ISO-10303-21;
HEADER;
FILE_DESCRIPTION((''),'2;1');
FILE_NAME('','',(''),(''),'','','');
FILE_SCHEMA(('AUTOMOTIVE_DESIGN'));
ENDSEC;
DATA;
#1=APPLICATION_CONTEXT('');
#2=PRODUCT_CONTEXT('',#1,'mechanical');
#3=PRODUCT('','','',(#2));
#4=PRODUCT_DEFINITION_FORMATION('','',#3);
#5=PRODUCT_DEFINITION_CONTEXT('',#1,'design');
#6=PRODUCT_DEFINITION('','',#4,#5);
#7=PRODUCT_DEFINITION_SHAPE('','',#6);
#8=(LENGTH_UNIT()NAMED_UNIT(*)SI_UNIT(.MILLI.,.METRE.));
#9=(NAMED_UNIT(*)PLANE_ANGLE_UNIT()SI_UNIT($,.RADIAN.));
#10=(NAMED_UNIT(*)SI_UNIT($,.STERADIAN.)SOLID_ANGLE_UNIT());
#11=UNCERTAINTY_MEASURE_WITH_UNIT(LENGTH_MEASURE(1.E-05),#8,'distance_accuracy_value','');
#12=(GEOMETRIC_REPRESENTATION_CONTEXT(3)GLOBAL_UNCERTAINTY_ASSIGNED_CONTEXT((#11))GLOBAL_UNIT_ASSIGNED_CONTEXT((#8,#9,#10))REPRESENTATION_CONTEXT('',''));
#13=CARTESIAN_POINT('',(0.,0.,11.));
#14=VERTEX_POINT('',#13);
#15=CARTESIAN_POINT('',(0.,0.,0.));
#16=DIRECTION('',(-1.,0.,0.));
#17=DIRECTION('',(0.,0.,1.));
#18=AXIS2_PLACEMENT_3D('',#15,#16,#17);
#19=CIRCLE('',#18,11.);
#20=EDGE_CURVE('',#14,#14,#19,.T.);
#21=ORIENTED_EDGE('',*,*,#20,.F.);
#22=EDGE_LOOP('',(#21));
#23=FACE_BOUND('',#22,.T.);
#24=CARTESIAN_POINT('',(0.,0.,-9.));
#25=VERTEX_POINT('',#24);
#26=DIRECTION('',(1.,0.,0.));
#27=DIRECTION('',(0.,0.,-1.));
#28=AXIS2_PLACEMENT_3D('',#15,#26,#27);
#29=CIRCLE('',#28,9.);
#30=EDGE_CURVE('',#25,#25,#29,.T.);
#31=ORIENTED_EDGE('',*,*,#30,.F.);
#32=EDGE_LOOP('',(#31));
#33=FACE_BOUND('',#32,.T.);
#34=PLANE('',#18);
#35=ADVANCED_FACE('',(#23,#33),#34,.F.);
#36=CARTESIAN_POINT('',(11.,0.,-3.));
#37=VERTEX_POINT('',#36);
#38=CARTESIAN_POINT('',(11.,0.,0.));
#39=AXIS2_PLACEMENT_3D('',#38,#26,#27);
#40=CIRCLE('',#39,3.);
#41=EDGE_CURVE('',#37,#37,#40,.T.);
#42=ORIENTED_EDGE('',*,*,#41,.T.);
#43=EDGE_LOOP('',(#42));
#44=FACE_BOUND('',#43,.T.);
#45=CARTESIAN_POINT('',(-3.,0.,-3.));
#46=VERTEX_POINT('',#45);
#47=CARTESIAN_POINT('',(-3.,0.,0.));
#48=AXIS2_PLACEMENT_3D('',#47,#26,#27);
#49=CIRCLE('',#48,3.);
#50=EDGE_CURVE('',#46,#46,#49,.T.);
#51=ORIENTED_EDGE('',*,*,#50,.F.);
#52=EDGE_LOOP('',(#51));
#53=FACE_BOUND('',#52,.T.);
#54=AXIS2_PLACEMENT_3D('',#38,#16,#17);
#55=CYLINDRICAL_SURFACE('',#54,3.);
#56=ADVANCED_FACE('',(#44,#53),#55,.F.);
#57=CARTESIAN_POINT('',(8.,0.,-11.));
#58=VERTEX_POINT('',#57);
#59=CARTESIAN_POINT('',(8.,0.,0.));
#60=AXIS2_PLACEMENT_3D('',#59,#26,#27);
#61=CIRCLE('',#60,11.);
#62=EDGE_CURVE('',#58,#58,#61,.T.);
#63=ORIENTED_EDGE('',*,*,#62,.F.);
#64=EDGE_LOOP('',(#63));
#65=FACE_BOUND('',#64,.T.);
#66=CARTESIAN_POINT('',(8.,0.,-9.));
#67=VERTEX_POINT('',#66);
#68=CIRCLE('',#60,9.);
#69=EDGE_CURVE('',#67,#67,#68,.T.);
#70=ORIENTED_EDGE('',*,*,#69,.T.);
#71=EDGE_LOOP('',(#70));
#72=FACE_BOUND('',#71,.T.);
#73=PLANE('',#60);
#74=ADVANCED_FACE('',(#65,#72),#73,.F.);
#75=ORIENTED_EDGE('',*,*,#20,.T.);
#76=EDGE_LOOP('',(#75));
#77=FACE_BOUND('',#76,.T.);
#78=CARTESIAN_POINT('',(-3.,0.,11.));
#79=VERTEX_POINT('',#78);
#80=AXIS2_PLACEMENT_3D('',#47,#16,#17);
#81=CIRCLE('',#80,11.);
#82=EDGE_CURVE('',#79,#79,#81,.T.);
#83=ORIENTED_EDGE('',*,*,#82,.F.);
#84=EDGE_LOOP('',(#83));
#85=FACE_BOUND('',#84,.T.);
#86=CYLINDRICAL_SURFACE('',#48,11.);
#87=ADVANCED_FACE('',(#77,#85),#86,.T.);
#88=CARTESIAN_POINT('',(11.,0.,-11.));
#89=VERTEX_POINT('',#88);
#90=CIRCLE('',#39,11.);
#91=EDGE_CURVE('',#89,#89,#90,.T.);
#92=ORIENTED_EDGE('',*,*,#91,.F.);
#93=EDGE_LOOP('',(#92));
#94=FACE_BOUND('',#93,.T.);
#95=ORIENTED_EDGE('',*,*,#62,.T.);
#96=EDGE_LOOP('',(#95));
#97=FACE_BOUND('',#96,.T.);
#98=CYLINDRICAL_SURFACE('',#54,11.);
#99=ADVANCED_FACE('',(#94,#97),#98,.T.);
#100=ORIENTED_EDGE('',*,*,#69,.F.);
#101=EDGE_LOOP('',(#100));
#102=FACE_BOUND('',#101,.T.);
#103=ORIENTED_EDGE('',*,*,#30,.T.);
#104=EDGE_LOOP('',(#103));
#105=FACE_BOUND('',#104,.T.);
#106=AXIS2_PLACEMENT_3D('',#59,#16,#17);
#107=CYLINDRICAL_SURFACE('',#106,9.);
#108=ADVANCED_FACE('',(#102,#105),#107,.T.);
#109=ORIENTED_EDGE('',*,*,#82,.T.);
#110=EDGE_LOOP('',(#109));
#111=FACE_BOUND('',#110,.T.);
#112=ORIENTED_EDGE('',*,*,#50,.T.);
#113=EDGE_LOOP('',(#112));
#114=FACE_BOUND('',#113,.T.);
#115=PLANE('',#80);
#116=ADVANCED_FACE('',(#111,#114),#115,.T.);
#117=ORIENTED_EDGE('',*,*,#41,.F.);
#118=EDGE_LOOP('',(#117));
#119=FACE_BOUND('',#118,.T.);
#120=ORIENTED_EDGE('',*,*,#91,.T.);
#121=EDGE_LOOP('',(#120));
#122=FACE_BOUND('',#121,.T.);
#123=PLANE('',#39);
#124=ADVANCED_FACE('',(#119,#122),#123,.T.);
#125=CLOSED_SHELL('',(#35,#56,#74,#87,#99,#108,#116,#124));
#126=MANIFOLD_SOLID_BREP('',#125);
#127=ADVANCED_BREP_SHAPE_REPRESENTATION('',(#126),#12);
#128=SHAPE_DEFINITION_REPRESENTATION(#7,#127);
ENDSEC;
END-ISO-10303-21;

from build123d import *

# Parameters (mm, degrees)
SKETCH1_R               = 9
BOSS_EXTRUDE1_DEPTH     = 8
SKETCH3_R               = 11
BOSS_EXTRUDE2_DEPTH     = 3
SKETCH4_R               = 11
BOSS_EXTRUDE3_DEPTH     = 3
SKETCH2_R               = 3
CUT_EXTRUDE1_DEPTH      = 3
CUT_EXTRUDE1_DEPTH_BACK = 11


with BuildPart() as part:
    # Sketch1 → Boss-Extrude1 (new body)
    with BuildSketch(Plane(origin=(0, 0, 0), x_dir=(0, 0, -1), z_dir=(1, 0, 0))):
        Circle(SKETCH1_R)
    extrude(amount=BOSS_EXTRUDE1_DEPTH)

    # Sketch3 → Boss-Extrude2 (add)
    with BuildSketch(Plane(origin=(8, 0, 0), x_dir=(0, 0, -1), z_dir=(1, 0, 0))):
        Circle(SKETCH3_R)
    extrude(amount=BOSS_EXTRUDE2_DEPTH)

    # Sketch4 → Boss-Extrude3 (add)
    with BuildSketch(Plane.ZY):
        Circle(SKETCH4_R)
    extrude(amount=BOSS_EXTRUDE3_DEPTH)

    # Sketch2 → Cut-Extrude1 (cut, two sides)
    with BuildSketch(Plane(origin=(8, 0, 0), x_dir=(0, 0, -1), z_dir=(1, 0, 0))) as cut_extrude1_sk:
        Circle(SKETCH2_R)
    extrude(amount=CUT_EXTRUDE1_DEPTH, mode=Mode.SUBTRACT)
    extrude(cut_extrude1_sk.sketch, amount=-CUT_EXTRUDE1_DEPTH_BACK, mode=Mode.SUBTRACT)


solid = part.part
